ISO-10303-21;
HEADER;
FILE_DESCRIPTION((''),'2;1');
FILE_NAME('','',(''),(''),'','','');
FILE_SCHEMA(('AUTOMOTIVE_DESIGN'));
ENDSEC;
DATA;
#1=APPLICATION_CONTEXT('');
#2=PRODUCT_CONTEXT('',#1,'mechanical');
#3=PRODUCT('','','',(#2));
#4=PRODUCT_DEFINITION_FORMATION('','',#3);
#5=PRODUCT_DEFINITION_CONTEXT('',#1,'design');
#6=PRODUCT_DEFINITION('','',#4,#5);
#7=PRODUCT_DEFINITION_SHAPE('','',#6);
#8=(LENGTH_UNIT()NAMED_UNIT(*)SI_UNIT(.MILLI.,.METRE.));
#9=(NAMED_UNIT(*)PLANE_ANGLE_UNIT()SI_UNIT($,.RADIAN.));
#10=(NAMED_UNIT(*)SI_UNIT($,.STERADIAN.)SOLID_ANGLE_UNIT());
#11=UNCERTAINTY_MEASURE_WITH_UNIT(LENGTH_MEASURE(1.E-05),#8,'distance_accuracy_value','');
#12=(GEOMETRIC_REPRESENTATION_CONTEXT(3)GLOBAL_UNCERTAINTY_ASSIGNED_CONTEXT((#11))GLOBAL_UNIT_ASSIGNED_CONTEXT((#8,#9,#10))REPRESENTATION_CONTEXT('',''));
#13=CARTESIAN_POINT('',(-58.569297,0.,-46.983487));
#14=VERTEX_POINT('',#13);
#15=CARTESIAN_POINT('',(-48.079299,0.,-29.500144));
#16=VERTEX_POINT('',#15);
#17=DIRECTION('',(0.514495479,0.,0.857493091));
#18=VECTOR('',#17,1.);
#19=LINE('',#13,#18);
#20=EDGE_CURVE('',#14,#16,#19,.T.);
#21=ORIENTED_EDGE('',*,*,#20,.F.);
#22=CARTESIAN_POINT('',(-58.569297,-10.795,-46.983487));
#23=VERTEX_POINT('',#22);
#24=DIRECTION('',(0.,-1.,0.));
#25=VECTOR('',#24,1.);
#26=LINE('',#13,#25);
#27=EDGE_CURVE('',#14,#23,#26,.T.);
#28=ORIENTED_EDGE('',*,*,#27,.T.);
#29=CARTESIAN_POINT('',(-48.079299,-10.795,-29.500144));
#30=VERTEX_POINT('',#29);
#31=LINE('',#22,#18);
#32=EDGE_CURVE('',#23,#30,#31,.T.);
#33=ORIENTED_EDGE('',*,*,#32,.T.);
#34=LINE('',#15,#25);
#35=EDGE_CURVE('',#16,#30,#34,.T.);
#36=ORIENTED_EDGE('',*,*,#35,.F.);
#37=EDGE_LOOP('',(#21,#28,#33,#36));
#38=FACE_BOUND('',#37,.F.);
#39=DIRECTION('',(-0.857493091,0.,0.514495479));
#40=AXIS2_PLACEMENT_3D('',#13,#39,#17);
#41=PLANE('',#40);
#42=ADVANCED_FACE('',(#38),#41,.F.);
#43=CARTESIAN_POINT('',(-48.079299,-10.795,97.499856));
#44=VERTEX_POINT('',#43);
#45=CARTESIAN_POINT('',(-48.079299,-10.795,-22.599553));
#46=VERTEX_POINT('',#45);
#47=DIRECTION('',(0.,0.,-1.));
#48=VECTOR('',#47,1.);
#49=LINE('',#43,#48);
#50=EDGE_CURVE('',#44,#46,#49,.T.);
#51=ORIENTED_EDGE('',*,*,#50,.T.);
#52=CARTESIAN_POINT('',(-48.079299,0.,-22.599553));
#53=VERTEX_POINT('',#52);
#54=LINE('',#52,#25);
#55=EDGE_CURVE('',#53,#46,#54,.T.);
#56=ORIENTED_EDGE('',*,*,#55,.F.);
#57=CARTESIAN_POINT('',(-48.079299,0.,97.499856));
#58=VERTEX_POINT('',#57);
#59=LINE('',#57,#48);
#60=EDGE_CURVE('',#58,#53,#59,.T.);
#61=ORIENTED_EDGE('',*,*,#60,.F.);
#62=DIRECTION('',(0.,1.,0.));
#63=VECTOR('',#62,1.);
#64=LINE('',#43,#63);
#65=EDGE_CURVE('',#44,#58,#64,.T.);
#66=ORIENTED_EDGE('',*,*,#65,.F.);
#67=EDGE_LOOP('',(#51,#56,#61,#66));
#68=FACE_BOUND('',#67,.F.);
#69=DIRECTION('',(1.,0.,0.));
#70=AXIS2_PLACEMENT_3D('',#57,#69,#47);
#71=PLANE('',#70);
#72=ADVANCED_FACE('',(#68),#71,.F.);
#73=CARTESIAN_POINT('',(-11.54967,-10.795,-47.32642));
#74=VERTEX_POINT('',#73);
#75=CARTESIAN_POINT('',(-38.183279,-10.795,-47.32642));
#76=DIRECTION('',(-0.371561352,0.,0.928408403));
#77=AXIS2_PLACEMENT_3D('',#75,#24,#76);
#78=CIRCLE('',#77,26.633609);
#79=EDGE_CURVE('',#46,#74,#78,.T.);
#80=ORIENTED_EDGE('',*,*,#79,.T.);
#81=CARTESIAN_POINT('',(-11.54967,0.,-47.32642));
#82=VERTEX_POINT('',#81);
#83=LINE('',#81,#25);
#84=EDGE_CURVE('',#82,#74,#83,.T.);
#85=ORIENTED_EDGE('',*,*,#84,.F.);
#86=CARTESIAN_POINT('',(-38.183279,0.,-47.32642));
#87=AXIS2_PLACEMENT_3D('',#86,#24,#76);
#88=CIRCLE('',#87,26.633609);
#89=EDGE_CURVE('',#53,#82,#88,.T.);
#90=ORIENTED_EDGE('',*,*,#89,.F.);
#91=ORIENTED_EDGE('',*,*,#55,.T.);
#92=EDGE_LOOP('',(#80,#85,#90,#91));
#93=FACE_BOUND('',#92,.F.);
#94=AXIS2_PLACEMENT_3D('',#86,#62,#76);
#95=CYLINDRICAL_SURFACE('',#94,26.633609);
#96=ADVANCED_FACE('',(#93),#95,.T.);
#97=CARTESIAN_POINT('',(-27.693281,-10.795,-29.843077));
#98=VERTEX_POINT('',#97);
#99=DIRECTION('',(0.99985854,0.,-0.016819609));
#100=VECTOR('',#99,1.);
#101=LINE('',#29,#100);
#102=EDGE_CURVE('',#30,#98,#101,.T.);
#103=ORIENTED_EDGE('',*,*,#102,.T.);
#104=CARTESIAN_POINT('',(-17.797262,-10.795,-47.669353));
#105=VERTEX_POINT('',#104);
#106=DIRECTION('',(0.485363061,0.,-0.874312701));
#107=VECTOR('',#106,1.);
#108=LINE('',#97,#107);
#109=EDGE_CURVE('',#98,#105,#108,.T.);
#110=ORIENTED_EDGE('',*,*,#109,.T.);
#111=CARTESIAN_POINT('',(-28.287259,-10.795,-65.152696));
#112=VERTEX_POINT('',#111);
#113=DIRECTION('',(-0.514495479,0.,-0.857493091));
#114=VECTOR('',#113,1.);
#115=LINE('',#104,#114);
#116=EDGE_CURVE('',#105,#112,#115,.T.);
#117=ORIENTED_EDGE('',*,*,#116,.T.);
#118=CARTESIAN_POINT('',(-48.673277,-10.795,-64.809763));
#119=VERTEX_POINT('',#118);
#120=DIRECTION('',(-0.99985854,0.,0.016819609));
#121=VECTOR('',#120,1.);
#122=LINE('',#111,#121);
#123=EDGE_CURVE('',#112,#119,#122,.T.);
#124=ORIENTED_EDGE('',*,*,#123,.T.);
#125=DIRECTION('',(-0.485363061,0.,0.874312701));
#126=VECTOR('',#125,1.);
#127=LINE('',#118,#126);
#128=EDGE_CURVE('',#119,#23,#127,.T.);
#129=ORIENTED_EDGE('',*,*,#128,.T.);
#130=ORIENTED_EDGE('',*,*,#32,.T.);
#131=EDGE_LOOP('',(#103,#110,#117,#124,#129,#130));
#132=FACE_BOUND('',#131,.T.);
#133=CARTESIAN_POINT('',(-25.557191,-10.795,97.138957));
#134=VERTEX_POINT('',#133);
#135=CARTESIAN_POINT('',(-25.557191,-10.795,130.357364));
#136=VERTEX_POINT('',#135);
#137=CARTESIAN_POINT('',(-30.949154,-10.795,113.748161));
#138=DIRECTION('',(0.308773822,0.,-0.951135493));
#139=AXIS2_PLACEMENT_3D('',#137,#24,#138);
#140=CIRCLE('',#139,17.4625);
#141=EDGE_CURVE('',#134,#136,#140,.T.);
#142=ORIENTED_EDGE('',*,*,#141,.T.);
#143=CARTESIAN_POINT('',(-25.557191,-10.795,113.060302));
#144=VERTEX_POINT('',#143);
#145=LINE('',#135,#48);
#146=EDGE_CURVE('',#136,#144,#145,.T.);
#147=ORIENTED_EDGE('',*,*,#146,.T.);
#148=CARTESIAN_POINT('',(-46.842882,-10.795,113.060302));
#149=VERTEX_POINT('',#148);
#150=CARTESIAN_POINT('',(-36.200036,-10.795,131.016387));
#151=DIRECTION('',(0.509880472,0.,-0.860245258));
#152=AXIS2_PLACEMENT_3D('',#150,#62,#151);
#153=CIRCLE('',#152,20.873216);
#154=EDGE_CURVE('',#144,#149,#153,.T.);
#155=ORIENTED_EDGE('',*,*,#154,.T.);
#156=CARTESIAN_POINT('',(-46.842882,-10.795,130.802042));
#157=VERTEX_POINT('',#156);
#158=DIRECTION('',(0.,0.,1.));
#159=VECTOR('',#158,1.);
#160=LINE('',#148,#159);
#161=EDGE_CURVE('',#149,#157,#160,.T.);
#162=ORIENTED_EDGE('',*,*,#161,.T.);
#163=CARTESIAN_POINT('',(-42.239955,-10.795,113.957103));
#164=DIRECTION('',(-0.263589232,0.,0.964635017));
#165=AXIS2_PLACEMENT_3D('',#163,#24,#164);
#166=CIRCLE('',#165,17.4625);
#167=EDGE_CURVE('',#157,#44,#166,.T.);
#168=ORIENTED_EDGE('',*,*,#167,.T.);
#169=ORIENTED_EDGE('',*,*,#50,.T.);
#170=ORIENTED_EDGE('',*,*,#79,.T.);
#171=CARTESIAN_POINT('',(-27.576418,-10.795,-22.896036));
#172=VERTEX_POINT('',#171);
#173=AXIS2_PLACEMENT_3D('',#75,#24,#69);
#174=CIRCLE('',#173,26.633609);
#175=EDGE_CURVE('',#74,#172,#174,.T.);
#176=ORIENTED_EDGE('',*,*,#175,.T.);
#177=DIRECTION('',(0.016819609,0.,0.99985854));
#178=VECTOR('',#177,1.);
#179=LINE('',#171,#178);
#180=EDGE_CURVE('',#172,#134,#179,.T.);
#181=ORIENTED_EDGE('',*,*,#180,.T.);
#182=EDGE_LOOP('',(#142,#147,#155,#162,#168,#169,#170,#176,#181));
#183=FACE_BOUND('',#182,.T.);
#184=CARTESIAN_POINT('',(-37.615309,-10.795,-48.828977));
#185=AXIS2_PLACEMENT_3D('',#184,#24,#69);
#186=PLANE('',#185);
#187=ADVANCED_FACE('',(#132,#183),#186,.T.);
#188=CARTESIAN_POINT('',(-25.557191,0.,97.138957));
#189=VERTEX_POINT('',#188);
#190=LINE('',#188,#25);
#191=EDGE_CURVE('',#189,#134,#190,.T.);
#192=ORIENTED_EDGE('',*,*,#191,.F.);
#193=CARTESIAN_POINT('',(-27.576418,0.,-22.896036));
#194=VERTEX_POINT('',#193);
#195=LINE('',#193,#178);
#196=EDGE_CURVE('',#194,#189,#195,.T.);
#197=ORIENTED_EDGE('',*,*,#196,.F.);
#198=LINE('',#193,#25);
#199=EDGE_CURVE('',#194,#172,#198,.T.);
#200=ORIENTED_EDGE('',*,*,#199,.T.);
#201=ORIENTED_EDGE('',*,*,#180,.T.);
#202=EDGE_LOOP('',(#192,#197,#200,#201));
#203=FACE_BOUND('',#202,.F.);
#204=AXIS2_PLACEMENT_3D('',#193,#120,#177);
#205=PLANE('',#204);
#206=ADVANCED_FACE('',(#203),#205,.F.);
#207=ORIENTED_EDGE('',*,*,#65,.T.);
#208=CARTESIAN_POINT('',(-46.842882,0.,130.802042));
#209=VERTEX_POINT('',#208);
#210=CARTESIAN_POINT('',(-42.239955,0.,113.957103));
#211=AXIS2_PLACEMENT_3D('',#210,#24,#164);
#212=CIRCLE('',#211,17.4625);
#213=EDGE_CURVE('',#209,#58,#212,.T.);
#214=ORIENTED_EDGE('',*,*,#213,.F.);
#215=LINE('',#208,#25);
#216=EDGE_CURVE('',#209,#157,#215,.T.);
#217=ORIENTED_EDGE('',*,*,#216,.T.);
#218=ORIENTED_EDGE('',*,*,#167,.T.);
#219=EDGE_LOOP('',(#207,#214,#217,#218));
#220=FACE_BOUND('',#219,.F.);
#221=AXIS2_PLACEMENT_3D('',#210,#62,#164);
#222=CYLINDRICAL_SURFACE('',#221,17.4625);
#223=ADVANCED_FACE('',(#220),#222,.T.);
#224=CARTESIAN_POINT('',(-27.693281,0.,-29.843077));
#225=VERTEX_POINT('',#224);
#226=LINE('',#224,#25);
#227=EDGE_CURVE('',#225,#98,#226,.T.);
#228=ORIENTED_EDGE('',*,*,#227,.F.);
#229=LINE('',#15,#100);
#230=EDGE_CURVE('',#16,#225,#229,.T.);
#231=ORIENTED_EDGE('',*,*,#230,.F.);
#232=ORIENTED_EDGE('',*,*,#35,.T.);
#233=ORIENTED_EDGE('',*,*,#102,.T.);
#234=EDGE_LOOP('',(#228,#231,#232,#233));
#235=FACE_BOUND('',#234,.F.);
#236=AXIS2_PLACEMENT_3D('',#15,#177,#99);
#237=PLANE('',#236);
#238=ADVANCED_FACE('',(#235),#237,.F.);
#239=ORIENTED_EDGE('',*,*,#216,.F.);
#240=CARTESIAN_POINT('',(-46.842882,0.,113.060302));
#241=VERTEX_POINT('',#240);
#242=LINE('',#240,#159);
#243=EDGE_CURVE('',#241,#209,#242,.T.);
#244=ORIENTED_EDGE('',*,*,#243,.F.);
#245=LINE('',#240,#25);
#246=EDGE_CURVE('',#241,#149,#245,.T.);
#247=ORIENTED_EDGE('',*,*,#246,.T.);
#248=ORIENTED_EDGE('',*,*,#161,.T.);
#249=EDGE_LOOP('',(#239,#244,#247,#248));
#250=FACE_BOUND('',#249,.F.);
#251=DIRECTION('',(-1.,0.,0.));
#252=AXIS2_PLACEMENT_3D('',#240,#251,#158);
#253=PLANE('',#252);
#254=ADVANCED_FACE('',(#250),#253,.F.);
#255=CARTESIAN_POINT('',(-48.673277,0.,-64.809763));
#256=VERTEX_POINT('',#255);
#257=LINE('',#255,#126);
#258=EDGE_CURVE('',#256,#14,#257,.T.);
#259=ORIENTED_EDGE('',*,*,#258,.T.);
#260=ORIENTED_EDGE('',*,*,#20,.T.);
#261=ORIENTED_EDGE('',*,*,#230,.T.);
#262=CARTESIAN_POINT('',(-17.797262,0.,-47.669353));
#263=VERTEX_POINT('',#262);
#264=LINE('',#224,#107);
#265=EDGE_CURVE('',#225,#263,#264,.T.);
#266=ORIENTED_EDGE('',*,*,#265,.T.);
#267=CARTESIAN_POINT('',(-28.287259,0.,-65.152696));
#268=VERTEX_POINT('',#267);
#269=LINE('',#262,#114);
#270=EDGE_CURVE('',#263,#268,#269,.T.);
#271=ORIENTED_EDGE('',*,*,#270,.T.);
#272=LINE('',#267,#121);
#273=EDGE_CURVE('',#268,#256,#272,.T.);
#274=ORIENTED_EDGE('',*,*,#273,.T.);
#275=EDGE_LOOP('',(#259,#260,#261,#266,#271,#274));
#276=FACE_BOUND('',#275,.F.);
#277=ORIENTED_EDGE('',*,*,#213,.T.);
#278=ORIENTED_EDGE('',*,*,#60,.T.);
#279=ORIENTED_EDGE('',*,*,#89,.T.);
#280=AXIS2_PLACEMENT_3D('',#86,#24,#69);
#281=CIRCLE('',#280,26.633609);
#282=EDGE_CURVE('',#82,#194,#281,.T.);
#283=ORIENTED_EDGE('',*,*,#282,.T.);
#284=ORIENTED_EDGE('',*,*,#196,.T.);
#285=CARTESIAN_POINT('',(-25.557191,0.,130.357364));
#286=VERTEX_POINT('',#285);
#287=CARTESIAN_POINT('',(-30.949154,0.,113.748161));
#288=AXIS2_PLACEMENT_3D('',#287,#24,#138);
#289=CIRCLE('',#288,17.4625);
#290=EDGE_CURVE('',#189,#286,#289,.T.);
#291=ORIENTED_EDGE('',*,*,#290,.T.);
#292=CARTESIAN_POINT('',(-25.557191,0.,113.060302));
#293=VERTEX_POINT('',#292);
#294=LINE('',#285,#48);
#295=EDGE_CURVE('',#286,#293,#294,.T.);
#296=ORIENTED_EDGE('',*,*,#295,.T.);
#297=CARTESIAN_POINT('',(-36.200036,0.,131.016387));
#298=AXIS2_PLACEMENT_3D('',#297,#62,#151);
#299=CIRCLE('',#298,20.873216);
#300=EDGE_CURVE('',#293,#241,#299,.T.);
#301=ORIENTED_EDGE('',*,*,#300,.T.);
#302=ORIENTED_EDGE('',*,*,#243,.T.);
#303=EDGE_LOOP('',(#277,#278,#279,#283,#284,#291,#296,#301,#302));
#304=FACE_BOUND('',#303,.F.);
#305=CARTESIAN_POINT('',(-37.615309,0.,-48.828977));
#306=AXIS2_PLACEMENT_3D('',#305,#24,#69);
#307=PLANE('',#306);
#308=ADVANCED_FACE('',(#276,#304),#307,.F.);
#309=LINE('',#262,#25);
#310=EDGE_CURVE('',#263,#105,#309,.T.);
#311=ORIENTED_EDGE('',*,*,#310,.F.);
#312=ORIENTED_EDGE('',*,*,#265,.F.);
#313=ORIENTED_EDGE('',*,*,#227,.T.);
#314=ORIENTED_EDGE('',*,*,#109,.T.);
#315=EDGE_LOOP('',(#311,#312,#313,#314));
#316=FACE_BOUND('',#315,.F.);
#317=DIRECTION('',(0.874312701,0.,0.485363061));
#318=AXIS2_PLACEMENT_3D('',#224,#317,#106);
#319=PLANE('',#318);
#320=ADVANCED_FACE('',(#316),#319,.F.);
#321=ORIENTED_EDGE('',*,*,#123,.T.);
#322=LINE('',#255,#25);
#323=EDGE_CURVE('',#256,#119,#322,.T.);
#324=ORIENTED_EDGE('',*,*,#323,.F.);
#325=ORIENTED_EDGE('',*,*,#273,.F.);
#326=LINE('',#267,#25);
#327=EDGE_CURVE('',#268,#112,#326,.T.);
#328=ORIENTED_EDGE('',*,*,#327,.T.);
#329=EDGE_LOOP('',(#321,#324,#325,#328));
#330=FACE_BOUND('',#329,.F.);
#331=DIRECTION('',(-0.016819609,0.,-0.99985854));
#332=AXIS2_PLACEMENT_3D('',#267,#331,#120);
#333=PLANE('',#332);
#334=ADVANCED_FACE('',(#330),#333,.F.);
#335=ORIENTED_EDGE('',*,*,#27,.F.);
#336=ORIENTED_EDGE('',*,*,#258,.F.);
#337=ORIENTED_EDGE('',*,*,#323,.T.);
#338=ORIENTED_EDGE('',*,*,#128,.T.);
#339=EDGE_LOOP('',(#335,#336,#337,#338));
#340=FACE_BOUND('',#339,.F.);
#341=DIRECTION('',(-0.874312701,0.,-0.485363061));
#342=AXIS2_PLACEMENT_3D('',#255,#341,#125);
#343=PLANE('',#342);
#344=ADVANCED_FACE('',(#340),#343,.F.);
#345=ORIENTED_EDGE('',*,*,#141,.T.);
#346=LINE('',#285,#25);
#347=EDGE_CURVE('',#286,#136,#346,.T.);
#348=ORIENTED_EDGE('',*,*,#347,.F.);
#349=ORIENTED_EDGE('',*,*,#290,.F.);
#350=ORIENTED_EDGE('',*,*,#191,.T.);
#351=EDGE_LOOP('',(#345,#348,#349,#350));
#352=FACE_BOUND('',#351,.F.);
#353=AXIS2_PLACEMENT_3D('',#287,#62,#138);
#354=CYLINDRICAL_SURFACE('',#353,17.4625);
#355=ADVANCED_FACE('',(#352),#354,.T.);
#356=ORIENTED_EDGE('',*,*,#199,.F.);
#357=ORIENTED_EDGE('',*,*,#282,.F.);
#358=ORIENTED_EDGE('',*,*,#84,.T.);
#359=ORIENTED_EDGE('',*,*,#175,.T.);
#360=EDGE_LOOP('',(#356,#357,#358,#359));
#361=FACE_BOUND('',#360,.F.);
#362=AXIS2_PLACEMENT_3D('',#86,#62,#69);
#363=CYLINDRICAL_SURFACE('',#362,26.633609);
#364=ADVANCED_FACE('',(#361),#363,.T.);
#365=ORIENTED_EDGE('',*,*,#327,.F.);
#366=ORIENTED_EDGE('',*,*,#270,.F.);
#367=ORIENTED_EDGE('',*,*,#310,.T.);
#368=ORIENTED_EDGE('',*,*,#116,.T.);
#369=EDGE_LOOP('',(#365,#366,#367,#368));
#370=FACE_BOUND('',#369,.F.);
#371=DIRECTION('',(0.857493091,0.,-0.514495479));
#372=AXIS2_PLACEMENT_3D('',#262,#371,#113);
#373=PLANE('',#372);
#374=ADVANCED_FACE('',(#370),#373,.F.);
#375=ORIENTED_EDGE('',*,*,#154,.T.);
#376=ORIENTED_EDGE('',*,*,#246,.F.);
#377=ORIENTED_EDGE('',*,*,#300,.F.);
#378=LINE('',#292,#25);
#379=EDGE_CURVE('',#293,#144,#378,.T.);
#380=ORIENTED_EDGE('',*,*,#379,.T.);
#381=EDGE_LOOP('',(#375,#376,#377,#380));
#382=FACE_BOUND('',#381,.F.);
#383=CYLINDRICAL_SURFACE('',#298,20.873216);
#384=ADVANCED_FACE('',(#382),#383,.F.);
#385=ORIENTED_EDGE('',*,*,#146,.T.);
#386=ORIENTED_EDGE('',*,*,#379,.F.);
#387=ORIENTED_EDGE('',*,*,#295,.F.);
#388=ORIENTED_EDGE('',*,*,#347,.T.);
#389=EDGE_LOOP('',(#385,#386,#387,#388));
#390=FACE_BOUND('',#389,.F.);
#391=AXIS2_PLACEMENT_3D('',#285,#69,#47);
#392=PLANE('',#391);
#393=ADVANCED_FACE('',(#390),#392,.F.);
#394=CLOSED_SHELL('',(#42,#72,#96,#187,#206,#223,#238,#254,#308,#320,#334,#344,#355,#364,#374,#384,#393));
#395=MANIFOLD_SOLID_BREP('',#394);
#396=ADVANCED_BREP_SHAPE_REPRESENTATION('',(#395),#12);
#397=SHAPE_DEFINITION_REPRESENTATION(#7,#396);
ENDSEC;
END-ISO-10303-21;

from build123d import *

# Parameters (mm, degrees)
F1_DEPTH = 9.017
F2_DEPTH = 10.795


with BuildPart() as f1:
    # F0 (on Front) → F1 (new body)
    with BuildSketch(Plane.XZ):
        with BuildLine():
            Line((-48.0792992256, 97.4998560334), (-25.5571910474, 97.1389572937))
            ThreePointArc((-25.5571910474, 97.1389572937), (-13.4866539111, 113.7481608485), (-25.5571910474, 130.3573644034))
            Line((-25.5571910474, 130.3573644034), (-25.5571910474, 113.0603018233))
            ThreePointArc((-25.5571910474, 113.0603018233), (-36.2000364442, 110.1431708658), (-46.842881841, 113.0603018233))
            Line((-46.842881841, 113.0603018233), (-46.842881841, 130.8020415732))
            ThreePointArc((-46.842881841, 130.8020415732), (-59.6904318944, 114.6049901828), (-48.0792992256, 97.4998560334))
        make_face()
    extrude(amount=F1_DEPTH)

    # F0 (on Front) → F2 (join)
    with BuildSketch(Plane.XZ):
        with BuildLine():
            Line((-27.6932814315, -29.8430773328), (-17.7972615414, -47.6693533076))
            Line((-17.7972615414, -47.6693533076), (-28.2872594454, -65.1526959162))
            Line((-28.2872594454, -65.1526959162), (-48.6732772395, -64.80976255))
            Line((-48.6732772395, -64.80976255), (-58.5692971296, -46.9834865752))
            Line((-58.5692971296, -46.9834865752), (-48.0792992256, -29.5001439666))
            Line((-48.0792992256, -29.5001439666), (-48.0792992256, -22.5995532387))
            ThreePointArc((-48.0792992256, -22.5995532387), (-53.1128208355, -69.3822114075), (-11.5496699932, -47.3264199414))
            ThreePointArc((-11.5496699932, -47.3264199414), (-15.9139266557, -32.7173447543), (-27.5764183831, -22.8960362495))
            Line((-27.5764183831, -22.8960362495), (-27.6932814315, -29.8430773328))
        make_face()
        with BuildLine():
            Line((-48.0792992256, -29.5001439666), (-27.6932814315, -29.8430773328))
            Line((-27.6932814315, -29.8430773328), (-27.5764183831, -22.8960362495))
            ThreePointArc((-27.5764183831, -22.8960362495), (-37.7981828569, -20.6955948077), (-48.0792992256, -22.5995532387))
            Line((-48.0792992256, -22.5995532387), (-48.0792992256, -29.5001439666))
        make_face()
        with BuildLine():
            ThreePointArc((-48.0792992256, -22.5995532387), (-37.7981828569, -20.6955948077), (-27.5764183831, -22.8960362495))
            Line((-27.5764183831, -22.8960362495), (-25.5571910474, 97.1389572937))
            Line((-25.5571910474, 97.1389572937), (-48.0792992256, 97.4998560334))
            Line((-48.0792992256, 97.4998560334), (-48.0792992256, -22.5995532387))
        make_face()
        with BuildLine():
            Line((-48.0792992256, 97.4998560334), (-25.5571910474, 97.1389572937))
            ThreePointArc((-25.5571910474, 97.1389572937), (-13.4866539111, 113.7481608485), (-25.5571910474, 130.3573644034))
            Line((-25.5571910474, 130.3573644034), (-25.5571910474, 113.0603018233))
            ThreePointArc((-25.5571910474, 113.0603018233), (-36.2000364442, 110.1431708658), (-46.842881841, 113.0603018233))
            Line((-46.842881841, 113.0603018233), (-46.842881841, 130.8020415732))
            ThreePointArc((-46.842881841, 130.8020415732), (-59.6904318944, 114.6049901828), (-48.0792992256, 97.4998560334))
        make_face()
    extrude(amount=F2_DEPTH)


solid = f1.part
